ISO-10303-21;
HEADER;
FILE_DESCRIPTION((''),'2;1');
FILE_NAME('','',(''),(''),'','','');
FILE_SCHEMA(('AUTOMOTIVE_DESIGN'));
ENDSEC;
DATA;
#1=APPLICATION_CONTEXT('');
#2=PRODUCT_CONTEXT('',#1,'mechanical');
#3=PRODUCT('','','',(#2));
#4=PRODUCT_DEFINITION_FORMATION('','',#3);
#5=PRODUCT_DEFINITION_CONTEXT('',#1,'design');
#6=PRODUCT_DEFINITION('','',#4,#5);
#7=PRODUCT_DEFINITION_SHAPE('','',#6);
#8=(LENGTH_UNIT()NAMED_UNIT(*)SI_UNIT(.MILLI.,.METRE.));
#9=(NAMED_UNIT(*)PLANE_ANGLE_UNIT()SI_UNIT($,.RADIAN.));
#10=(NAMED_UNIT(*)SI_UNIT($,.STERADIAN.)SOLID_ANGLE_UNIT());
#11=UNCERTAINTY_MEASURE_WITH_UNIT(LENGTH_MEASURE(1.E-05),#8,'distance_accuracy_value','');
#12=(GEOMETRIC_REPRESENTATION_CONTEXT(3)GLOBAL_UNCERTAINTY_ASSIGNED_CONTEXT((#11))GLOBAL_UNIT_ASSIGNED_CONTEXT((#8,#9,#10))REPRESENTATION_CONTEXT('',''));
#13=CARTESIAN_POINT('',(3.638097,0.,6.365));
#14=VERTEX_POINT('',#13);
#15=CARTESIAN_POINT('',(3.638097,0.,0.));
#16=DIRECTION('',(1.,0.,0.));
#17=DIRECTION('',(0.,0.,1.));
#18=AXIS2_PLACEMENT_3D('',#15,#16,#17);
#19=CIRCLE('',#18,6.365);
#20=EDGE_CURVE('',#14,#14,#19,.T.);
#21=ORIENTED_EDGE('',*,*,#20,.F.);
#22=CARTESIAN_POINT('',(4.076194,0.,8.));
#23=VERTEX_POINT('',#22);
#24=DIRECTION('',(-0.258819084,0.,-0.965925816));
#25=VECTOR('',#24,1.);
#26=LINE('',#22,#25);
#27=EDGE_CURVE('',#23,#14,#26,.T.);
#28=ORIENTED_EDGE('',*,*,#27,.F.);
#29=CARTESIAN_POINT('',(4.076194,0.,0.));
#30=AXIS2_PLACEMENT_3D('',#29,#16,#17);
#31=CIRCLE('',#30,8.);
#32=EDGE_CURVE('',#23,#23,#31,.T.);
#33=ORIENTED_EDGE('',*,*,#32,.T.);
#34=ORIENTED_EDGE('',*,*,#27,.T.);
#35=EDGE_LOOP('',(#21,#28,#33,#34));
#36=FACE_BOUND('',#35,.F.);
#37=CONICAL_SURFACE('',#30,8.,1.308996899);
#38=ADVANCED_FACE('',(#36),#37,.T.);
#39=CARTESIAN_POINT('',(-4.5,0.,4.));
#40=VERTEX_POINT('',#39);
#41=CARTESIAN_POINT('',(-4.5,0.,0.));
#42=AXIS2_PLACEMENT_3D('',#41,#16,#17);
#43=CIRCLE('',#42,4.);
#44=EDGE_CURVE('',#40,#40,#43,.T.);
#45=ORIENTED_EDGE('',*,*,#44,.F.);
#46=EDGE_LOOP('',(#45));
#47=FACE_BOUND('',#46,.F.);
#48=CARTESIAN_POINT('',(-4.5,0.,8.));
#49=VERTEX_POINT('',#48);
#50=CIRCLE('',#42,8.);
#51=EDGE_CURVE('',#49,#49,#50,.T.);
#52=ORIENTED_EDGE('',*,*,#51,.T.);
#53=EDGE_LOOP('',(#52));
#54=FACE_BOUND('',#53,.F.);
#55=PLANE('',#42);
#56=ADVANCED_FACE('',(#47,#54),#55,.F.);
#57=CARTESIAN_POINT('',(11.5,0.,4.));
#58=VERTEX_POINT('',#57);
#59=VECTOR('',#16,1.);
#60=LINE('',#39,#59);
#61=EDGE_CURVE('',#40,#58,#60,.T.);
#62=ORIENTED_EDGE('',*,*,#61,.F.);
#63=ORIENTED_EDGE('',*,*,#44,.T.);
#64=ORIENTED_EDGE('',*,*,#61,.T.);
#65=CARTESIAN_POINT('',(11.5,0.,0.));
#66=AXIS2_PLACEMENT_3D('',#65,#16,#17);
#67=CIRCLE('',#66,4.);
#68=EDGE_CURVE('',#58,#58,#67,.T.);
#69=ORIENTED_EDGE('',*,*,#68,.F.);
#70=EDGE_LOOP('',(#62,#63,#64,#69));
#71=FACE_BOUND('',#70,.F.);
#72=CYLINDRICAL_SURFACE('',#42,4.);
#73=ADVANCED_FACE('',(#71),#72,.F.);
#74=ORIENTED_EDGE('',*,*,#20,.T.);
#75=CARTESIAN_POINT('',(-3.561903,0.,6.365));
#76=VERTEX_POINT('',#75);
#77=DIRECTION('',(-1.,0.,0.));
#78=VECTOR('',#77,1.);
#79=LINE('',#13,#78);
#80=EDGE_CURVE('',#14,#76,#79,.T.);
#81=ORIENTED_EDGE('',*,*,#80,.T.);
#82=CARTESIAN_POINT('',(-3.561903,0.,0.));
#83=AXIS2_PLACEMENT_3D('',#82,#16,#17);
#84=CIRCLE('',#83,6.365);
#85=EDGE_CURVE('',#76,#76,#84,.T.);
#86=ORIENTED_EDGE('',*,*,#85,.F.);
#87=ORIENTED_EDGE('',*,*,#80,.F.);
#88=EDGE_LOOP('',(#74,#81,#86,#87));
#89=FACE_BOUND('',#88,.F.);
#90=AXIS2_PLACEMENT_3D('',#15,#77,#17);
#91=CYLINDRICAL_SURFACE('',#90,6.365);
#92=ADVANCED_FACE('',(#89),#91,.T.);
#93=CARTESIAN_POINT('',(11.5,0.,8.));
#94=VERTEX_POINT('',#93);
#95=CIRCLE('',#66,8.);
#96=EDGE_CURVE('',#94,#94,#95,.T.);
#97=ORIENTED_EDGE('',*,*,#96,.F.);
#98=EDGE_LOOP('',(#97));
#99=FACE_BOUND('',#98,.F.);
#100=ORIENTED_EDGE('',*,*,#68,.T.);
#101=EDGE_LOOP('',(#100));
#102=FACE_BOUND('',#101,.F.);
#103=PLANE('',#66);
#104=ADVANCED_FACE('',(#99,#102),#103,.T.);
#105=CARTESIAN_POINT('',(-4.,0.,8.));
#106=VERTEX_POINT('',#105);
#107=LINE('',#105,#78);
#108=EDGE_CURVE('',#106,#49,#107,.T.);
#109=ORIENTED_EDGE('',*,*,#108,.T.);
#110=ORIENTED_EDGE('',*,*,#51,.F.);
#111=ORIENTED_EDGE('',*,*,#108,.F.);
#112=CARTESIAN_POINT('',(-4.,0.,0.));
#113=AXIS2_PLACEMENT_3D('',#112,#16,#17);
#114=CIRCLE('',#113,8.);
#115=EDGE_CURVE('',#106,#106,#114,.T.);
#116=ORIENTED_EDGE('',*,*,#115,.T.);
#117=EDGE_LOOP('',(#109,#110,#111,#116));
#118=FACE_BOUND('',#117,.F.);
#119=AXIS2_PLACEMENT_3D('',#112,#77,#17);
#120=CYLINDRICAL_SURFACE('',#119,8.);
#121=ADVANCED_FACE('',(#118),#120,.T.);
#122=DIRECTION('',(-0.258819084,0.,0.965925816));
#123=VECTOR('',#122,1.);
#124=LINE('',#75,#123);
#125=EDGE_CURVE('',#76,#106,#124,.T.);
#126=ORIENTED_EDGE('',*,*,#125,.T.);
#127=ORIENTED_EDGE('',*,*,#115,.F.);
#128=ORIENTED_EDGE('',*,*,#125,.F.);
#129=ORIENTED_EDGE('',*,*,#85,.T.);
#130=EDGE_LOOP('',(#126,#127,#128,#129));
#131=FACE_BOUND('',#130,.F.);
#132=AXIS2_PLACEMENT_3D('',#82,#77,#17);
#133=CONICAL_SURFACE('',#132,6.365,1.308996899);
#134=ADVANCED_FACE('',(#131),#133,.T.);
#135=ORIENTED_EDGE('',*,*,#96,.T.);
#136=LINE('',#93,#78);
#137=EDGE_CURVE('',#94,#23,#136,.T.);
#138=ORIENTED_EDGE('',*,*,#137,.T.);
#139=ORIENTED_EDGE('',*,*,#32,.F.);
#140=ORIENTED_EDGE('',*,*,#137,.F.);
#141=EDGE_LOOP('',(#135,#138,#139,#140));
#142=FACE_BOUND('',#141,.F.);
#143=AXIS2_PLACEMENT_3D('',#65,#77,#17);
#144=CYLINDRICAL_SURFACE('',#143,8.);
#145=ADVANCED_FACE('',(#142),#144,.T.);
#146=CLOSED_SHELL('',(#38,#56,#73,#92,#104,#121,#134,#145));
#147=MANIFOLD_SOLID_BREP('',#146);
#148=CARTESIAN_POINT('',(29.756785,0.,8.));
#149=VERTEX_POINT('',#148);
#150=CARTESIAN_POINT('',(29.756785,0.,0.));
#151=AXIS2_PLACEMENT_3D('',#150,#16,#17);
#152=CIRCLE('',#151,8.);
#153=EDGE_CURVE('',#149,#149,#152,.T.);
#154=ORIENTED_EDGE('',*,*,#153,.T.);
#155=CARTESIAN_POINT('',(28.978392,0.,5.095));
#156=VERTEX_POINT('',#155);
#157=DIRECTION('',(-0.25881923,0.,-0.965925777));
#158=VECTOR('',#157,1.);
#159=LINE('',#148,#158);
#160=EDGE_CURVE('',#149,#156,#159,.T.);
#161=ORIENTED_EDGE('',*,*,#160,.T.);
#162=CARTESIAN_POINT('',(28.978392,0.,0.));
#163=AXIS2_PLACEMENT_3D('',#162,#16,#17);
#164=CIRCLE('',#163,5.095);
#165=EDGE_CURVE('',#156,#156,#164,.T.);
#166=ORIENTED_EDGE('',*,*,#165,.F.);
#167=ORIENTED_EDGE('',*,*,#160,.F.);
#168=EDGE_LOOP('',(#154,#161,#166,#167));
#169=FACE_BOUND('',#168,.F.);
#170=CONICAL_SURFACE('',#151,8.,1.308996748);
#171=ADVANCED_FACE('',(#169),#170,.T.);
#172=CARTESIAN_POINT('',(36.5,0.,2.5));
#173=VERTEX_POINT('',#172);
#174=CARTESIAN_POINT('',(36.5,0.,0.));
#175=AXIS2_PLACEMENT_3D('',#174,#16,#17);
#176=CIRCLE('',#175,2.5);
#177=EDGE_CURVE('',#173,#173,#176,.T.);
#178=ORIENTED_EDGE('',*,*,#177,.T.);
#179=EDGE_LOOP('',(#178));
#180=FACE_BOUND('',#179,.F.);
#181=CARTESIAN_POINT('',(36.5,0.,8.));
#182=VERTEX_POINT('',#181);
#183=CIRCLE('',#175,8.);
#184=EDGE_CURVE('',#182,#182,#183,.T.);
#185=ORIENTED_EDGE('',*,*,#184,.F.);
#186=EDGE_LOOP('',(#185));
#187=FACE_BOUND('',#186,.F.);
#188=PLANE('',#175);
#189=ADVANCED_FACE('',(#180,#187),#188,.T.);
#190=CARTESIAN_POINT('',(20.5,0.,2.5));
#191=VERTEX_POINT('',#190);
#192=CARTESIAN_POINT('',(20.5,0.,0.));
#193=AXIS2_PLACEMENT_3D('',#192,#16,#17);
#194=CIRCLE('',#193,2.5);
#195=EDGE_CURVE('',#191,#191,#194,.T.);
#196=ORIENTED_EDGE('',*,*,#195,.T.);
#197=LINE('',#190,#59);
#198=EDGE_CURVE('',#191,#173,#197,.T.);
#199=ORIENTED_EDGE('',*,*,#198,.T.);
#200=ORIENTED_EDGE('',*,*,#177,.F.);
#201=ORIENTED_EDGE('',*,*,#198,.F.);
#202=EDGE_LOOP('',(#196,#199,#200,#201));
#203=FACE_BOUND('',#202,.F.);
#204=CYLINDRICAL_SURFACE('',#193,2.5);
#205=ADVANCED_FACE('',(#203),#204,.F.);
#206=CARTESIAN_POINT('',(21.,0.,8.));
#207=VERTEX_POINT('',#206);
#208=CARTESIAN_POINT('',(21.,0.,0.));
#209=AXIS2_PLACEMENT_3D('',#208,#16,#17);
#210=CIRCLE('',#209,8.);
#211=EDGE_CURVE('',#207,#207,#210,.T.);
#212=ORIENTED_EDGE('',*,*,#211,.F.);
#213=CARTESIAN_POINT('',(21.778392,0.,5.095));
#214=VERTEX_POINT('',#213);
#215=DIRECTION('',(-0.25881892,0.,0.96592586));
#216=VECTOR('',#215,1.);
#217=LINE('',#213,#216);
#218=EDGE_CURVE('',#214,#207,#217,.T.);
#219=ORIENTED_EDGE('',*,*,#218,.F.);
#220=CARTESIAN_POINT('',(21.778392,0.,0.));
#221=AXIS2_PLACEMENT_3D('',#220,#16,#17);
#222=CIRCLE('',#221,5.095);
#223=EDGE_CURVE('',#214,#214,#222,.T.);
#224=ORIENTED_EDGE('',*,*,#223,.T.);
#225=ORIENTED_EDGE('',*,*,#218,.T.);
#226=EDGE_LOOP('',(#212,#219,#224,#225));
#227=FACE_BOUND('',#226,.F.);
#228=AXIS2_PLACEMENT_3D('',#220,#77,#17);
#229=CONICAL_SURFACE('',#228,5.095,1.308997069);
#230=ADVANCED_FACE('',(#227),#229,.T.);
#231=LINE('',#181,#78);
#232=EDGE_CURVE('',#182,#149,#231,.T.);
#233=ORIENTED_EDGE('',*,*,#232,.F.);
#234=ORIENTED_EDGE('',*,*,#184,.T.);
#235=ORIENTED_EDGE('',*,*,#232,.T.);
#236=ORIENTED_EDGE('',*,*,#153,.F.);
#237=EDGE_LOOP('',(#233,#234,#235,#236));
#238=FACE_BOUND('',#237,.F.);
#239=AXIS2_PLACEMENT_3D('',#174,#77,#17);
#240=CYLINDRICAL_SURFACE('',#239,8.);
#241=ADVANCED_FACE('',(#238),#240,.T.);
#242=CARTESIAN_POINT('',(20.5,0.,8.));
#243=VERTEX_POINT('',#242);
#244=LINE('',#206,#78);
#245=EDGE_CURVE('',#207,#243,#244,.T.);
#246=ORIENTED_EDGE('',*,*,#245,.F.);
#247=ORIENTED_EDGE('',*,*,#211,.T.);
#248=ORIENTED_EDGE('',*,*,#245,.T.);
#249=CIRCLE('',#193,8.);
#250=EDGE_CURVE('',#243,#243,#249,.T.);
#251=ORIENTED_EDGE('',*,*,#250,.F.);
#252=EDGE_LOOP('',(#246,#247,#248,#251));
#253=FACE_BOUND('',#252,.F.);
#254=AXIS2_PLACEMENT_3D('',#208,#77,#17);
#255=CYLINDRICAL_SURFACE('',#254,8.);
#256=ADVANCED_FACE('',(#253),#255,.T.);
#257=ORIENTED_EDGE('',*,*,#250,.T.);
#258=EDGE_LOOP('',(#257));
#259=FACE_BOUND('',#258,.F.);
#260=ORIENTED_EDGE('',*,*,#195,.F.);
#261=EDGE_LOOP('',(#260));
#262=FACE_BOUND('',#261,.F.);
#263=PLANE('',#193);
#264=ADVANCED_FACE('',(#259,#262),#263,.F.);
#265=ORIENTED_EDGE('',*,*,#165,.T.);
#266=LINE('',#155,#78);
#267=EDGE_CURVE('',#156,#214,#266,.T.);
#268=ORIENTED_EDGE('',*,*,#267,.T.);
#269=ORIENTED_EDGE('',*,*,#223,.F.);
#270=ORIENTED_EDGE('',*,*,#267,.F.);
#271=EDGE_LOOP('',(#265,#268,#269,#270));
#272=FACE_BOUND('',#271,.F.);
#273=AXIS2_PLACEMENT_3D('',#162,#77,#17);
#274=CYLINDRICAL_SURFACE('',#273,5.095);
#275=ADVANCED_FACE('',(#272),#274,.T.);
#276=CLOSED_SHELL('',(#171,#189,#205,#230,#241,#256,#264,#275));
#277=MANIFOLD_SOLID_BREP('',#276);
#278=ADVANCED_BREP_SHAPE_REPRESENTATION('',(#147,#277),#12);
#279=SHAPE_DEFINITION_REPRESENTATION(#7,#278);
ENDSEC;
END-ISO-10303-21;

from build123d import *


with BuildPart() as f1:
    # F0 (on Front) → F1 (revolve)
    with BuildSketch(Plane.XZ):
        Polygon((3.638097, 6.365), (-3.561903, 6.365), (-4, 8), (-4.5, 8), (-4.5, 4), (11.5, 4), (11.5, 8), (4.076194, 8), align=None)
    revolve(axis=Axis((20.584276, 0, 0), (1, 0, 0)))


with BuildPart() as f2:
    # F0 (on Front) → F2 (revolve)
    with BuildSketch(Plane.XZ):
        Polygon((20.5, 8), (20.5, 2.5), (36.5, 2.5), (36.5, 8), (29.756785, 8), (28.978392, 5.095), (21.778392, 5.095), (21, 8), align=None)
    revolve(axis=Axis((20.584276, 0, 0), (1, 0, 0)))


solid = Compound([f1.part, f2.part])
